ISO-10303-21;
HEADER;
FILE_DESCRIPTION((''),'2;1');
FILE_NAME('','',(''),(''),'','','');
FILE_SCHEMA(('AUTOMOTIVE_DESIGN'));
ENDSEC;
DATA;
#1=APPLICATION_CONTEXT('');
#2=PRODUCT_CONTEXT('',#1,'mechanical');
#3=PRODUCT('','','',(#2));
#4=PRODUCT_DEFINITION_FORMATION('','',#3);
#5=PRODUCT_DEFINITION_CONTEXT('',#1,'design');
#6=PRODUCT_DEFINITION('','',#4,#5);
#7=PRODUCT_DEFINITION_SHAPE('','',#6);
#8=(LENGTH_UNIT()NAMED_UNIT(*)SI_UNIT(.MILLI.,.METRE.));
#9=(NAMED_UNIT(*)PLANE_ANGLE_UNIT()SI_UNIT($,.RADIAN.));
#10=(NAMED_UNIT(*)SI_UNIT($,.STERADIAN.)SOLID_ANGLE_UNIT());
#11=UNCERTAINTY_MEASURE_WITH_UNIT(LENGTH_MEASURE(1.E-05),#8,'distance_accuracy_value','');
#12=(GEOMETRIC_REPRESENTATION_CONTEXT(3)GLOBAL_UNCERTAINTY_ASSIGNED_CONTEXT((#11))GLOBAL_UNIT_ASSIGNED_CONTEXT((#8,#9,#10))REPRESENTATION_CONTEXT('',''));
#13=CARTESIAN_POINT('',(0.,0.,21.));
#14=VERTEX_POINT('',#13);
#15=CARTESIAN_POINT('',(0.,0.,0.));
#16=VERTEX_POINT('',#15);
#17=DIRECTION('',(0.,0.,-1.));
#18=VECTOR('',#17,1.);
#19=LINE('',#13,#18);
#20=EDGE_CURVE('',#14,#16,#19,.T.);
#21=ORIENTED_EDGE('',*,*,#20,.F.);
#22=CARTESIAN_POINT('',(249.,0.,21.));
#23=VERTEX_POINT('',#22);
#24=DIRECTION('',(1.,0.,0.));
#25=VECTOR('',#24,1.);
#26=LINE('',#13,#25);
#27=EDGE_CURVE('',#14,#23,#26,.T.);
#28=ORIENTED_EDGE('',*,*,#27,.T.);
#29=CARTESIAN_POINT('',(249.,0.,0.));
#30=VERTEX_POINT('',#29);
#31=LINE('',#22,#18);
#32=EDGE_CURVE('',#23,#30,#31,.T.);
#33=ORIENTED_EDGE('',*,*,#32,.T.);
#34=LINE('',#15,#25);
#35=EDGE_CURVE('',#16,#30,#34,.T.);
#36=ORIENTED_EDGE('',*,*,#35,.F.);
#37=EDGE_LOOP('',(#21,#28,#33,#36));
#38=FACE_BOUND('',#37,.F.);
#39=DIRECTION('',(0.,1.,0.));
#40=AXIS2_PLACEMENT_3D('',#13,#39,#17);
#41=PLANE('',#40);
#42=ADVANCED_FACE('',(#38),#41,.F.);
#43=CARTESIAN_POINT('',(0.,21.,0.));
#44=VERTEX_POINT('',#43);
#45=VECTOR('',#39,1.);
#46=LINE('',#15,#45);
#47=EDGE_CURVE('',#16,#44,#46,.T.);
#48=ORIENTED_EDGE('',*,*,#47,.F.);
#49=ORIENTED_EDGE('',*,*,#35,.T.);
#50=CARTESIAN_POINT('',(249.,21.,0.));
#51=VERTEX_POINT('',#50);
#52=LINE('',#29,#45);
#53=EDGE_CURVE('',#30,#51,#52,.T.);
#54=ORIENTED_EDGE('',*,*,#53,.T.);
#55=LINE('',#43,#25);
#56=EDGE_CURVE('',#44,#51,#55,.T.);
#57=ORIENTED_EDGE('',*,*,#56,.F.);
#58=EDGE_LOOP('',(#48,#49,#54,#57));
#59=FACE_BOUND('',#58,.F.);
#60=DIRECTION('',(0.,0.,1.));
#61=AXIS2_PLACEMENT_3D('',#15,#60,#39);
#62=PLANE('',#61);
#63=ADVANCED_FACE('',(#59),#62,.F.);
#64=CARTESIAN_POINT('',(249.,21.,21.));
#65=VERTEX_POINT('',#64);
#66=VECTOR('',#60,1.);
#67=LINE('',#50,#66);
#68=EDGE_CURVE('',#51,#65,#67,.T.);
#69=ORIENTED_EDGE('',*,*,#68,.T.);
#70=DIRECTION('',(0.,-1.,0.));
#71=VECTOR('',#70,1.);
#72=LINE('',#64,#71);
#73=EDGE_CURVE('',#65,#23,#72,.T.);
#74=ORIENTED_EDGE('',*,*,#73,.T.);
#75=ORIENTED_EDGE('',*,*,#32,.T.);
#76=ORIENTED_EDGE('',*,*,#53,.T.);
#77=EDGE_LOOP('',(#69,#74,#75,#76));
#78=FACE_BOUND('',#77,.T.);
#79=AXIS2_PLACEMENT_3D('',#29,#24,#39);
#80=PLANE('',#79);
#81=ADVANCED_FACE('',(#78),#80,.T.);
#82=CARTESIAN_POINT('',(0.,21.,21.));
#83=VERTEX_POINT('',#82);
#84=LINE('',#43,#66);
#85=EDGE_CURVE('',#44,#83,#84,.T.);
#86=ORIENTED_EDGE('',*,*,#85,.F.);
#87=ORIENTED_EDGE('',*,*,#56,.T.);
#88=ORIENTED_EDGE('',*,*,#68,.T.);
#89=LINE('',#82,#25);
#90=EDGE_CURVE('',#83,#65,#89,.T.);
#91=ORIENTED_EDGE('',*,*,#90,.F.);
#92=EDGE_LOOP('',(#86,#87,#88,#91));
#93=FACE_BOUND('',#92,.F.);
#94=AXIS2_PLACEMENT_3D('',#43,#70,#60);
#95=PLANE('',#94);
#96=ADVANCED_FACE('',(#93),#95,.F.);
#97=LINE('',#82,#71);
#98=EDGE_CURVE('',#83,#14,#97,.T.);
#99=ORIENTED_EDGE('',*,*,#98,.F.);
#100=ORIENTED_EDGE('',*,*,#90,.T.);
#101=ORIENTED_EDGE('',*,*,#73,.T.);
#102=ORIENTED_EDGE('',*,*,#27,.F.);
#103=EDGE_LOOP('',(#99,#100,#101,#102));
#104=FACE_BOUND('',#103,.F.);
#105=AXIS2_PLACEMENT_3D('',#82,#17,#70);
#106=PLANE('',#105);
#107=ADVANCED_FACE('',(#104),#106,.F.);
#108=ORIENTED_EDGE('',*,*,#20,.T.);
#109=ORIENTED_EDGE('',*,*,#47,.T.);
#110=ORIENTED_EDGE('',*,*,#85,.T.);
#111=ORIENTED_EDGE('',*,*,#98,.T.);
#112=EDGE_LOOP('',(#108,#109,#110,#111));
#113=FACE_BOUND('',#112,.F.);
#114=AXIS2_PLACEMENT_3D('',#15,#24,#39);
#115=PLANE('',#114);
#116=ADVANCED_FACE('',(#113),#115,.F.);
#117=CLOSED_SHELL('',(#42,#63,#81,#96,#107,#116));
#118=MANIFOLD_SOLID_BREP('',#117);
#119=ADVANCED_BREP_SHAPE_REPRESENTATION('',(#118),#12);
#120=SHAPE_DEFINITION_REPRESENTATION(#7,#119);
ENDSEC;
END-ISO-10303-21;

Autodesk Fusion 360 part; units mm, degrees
sketch "Back Panel Support Left " plane through (0, 0, 0) normal (1, 0, 0) x (0, 1, 0)
  line L0 (0, 0) -> (21, 0)
  line L1 (21, 0) -> (21, 21)
  line L2 (21, 21) -> (0, 21)
  line L3 (0, 21) -> (0, 0)
  dimension "d1" = 21
  dimension "d2" = 21
extrude "Extrude1" add sketch "Back Panel Support Left " along normal blind 249
